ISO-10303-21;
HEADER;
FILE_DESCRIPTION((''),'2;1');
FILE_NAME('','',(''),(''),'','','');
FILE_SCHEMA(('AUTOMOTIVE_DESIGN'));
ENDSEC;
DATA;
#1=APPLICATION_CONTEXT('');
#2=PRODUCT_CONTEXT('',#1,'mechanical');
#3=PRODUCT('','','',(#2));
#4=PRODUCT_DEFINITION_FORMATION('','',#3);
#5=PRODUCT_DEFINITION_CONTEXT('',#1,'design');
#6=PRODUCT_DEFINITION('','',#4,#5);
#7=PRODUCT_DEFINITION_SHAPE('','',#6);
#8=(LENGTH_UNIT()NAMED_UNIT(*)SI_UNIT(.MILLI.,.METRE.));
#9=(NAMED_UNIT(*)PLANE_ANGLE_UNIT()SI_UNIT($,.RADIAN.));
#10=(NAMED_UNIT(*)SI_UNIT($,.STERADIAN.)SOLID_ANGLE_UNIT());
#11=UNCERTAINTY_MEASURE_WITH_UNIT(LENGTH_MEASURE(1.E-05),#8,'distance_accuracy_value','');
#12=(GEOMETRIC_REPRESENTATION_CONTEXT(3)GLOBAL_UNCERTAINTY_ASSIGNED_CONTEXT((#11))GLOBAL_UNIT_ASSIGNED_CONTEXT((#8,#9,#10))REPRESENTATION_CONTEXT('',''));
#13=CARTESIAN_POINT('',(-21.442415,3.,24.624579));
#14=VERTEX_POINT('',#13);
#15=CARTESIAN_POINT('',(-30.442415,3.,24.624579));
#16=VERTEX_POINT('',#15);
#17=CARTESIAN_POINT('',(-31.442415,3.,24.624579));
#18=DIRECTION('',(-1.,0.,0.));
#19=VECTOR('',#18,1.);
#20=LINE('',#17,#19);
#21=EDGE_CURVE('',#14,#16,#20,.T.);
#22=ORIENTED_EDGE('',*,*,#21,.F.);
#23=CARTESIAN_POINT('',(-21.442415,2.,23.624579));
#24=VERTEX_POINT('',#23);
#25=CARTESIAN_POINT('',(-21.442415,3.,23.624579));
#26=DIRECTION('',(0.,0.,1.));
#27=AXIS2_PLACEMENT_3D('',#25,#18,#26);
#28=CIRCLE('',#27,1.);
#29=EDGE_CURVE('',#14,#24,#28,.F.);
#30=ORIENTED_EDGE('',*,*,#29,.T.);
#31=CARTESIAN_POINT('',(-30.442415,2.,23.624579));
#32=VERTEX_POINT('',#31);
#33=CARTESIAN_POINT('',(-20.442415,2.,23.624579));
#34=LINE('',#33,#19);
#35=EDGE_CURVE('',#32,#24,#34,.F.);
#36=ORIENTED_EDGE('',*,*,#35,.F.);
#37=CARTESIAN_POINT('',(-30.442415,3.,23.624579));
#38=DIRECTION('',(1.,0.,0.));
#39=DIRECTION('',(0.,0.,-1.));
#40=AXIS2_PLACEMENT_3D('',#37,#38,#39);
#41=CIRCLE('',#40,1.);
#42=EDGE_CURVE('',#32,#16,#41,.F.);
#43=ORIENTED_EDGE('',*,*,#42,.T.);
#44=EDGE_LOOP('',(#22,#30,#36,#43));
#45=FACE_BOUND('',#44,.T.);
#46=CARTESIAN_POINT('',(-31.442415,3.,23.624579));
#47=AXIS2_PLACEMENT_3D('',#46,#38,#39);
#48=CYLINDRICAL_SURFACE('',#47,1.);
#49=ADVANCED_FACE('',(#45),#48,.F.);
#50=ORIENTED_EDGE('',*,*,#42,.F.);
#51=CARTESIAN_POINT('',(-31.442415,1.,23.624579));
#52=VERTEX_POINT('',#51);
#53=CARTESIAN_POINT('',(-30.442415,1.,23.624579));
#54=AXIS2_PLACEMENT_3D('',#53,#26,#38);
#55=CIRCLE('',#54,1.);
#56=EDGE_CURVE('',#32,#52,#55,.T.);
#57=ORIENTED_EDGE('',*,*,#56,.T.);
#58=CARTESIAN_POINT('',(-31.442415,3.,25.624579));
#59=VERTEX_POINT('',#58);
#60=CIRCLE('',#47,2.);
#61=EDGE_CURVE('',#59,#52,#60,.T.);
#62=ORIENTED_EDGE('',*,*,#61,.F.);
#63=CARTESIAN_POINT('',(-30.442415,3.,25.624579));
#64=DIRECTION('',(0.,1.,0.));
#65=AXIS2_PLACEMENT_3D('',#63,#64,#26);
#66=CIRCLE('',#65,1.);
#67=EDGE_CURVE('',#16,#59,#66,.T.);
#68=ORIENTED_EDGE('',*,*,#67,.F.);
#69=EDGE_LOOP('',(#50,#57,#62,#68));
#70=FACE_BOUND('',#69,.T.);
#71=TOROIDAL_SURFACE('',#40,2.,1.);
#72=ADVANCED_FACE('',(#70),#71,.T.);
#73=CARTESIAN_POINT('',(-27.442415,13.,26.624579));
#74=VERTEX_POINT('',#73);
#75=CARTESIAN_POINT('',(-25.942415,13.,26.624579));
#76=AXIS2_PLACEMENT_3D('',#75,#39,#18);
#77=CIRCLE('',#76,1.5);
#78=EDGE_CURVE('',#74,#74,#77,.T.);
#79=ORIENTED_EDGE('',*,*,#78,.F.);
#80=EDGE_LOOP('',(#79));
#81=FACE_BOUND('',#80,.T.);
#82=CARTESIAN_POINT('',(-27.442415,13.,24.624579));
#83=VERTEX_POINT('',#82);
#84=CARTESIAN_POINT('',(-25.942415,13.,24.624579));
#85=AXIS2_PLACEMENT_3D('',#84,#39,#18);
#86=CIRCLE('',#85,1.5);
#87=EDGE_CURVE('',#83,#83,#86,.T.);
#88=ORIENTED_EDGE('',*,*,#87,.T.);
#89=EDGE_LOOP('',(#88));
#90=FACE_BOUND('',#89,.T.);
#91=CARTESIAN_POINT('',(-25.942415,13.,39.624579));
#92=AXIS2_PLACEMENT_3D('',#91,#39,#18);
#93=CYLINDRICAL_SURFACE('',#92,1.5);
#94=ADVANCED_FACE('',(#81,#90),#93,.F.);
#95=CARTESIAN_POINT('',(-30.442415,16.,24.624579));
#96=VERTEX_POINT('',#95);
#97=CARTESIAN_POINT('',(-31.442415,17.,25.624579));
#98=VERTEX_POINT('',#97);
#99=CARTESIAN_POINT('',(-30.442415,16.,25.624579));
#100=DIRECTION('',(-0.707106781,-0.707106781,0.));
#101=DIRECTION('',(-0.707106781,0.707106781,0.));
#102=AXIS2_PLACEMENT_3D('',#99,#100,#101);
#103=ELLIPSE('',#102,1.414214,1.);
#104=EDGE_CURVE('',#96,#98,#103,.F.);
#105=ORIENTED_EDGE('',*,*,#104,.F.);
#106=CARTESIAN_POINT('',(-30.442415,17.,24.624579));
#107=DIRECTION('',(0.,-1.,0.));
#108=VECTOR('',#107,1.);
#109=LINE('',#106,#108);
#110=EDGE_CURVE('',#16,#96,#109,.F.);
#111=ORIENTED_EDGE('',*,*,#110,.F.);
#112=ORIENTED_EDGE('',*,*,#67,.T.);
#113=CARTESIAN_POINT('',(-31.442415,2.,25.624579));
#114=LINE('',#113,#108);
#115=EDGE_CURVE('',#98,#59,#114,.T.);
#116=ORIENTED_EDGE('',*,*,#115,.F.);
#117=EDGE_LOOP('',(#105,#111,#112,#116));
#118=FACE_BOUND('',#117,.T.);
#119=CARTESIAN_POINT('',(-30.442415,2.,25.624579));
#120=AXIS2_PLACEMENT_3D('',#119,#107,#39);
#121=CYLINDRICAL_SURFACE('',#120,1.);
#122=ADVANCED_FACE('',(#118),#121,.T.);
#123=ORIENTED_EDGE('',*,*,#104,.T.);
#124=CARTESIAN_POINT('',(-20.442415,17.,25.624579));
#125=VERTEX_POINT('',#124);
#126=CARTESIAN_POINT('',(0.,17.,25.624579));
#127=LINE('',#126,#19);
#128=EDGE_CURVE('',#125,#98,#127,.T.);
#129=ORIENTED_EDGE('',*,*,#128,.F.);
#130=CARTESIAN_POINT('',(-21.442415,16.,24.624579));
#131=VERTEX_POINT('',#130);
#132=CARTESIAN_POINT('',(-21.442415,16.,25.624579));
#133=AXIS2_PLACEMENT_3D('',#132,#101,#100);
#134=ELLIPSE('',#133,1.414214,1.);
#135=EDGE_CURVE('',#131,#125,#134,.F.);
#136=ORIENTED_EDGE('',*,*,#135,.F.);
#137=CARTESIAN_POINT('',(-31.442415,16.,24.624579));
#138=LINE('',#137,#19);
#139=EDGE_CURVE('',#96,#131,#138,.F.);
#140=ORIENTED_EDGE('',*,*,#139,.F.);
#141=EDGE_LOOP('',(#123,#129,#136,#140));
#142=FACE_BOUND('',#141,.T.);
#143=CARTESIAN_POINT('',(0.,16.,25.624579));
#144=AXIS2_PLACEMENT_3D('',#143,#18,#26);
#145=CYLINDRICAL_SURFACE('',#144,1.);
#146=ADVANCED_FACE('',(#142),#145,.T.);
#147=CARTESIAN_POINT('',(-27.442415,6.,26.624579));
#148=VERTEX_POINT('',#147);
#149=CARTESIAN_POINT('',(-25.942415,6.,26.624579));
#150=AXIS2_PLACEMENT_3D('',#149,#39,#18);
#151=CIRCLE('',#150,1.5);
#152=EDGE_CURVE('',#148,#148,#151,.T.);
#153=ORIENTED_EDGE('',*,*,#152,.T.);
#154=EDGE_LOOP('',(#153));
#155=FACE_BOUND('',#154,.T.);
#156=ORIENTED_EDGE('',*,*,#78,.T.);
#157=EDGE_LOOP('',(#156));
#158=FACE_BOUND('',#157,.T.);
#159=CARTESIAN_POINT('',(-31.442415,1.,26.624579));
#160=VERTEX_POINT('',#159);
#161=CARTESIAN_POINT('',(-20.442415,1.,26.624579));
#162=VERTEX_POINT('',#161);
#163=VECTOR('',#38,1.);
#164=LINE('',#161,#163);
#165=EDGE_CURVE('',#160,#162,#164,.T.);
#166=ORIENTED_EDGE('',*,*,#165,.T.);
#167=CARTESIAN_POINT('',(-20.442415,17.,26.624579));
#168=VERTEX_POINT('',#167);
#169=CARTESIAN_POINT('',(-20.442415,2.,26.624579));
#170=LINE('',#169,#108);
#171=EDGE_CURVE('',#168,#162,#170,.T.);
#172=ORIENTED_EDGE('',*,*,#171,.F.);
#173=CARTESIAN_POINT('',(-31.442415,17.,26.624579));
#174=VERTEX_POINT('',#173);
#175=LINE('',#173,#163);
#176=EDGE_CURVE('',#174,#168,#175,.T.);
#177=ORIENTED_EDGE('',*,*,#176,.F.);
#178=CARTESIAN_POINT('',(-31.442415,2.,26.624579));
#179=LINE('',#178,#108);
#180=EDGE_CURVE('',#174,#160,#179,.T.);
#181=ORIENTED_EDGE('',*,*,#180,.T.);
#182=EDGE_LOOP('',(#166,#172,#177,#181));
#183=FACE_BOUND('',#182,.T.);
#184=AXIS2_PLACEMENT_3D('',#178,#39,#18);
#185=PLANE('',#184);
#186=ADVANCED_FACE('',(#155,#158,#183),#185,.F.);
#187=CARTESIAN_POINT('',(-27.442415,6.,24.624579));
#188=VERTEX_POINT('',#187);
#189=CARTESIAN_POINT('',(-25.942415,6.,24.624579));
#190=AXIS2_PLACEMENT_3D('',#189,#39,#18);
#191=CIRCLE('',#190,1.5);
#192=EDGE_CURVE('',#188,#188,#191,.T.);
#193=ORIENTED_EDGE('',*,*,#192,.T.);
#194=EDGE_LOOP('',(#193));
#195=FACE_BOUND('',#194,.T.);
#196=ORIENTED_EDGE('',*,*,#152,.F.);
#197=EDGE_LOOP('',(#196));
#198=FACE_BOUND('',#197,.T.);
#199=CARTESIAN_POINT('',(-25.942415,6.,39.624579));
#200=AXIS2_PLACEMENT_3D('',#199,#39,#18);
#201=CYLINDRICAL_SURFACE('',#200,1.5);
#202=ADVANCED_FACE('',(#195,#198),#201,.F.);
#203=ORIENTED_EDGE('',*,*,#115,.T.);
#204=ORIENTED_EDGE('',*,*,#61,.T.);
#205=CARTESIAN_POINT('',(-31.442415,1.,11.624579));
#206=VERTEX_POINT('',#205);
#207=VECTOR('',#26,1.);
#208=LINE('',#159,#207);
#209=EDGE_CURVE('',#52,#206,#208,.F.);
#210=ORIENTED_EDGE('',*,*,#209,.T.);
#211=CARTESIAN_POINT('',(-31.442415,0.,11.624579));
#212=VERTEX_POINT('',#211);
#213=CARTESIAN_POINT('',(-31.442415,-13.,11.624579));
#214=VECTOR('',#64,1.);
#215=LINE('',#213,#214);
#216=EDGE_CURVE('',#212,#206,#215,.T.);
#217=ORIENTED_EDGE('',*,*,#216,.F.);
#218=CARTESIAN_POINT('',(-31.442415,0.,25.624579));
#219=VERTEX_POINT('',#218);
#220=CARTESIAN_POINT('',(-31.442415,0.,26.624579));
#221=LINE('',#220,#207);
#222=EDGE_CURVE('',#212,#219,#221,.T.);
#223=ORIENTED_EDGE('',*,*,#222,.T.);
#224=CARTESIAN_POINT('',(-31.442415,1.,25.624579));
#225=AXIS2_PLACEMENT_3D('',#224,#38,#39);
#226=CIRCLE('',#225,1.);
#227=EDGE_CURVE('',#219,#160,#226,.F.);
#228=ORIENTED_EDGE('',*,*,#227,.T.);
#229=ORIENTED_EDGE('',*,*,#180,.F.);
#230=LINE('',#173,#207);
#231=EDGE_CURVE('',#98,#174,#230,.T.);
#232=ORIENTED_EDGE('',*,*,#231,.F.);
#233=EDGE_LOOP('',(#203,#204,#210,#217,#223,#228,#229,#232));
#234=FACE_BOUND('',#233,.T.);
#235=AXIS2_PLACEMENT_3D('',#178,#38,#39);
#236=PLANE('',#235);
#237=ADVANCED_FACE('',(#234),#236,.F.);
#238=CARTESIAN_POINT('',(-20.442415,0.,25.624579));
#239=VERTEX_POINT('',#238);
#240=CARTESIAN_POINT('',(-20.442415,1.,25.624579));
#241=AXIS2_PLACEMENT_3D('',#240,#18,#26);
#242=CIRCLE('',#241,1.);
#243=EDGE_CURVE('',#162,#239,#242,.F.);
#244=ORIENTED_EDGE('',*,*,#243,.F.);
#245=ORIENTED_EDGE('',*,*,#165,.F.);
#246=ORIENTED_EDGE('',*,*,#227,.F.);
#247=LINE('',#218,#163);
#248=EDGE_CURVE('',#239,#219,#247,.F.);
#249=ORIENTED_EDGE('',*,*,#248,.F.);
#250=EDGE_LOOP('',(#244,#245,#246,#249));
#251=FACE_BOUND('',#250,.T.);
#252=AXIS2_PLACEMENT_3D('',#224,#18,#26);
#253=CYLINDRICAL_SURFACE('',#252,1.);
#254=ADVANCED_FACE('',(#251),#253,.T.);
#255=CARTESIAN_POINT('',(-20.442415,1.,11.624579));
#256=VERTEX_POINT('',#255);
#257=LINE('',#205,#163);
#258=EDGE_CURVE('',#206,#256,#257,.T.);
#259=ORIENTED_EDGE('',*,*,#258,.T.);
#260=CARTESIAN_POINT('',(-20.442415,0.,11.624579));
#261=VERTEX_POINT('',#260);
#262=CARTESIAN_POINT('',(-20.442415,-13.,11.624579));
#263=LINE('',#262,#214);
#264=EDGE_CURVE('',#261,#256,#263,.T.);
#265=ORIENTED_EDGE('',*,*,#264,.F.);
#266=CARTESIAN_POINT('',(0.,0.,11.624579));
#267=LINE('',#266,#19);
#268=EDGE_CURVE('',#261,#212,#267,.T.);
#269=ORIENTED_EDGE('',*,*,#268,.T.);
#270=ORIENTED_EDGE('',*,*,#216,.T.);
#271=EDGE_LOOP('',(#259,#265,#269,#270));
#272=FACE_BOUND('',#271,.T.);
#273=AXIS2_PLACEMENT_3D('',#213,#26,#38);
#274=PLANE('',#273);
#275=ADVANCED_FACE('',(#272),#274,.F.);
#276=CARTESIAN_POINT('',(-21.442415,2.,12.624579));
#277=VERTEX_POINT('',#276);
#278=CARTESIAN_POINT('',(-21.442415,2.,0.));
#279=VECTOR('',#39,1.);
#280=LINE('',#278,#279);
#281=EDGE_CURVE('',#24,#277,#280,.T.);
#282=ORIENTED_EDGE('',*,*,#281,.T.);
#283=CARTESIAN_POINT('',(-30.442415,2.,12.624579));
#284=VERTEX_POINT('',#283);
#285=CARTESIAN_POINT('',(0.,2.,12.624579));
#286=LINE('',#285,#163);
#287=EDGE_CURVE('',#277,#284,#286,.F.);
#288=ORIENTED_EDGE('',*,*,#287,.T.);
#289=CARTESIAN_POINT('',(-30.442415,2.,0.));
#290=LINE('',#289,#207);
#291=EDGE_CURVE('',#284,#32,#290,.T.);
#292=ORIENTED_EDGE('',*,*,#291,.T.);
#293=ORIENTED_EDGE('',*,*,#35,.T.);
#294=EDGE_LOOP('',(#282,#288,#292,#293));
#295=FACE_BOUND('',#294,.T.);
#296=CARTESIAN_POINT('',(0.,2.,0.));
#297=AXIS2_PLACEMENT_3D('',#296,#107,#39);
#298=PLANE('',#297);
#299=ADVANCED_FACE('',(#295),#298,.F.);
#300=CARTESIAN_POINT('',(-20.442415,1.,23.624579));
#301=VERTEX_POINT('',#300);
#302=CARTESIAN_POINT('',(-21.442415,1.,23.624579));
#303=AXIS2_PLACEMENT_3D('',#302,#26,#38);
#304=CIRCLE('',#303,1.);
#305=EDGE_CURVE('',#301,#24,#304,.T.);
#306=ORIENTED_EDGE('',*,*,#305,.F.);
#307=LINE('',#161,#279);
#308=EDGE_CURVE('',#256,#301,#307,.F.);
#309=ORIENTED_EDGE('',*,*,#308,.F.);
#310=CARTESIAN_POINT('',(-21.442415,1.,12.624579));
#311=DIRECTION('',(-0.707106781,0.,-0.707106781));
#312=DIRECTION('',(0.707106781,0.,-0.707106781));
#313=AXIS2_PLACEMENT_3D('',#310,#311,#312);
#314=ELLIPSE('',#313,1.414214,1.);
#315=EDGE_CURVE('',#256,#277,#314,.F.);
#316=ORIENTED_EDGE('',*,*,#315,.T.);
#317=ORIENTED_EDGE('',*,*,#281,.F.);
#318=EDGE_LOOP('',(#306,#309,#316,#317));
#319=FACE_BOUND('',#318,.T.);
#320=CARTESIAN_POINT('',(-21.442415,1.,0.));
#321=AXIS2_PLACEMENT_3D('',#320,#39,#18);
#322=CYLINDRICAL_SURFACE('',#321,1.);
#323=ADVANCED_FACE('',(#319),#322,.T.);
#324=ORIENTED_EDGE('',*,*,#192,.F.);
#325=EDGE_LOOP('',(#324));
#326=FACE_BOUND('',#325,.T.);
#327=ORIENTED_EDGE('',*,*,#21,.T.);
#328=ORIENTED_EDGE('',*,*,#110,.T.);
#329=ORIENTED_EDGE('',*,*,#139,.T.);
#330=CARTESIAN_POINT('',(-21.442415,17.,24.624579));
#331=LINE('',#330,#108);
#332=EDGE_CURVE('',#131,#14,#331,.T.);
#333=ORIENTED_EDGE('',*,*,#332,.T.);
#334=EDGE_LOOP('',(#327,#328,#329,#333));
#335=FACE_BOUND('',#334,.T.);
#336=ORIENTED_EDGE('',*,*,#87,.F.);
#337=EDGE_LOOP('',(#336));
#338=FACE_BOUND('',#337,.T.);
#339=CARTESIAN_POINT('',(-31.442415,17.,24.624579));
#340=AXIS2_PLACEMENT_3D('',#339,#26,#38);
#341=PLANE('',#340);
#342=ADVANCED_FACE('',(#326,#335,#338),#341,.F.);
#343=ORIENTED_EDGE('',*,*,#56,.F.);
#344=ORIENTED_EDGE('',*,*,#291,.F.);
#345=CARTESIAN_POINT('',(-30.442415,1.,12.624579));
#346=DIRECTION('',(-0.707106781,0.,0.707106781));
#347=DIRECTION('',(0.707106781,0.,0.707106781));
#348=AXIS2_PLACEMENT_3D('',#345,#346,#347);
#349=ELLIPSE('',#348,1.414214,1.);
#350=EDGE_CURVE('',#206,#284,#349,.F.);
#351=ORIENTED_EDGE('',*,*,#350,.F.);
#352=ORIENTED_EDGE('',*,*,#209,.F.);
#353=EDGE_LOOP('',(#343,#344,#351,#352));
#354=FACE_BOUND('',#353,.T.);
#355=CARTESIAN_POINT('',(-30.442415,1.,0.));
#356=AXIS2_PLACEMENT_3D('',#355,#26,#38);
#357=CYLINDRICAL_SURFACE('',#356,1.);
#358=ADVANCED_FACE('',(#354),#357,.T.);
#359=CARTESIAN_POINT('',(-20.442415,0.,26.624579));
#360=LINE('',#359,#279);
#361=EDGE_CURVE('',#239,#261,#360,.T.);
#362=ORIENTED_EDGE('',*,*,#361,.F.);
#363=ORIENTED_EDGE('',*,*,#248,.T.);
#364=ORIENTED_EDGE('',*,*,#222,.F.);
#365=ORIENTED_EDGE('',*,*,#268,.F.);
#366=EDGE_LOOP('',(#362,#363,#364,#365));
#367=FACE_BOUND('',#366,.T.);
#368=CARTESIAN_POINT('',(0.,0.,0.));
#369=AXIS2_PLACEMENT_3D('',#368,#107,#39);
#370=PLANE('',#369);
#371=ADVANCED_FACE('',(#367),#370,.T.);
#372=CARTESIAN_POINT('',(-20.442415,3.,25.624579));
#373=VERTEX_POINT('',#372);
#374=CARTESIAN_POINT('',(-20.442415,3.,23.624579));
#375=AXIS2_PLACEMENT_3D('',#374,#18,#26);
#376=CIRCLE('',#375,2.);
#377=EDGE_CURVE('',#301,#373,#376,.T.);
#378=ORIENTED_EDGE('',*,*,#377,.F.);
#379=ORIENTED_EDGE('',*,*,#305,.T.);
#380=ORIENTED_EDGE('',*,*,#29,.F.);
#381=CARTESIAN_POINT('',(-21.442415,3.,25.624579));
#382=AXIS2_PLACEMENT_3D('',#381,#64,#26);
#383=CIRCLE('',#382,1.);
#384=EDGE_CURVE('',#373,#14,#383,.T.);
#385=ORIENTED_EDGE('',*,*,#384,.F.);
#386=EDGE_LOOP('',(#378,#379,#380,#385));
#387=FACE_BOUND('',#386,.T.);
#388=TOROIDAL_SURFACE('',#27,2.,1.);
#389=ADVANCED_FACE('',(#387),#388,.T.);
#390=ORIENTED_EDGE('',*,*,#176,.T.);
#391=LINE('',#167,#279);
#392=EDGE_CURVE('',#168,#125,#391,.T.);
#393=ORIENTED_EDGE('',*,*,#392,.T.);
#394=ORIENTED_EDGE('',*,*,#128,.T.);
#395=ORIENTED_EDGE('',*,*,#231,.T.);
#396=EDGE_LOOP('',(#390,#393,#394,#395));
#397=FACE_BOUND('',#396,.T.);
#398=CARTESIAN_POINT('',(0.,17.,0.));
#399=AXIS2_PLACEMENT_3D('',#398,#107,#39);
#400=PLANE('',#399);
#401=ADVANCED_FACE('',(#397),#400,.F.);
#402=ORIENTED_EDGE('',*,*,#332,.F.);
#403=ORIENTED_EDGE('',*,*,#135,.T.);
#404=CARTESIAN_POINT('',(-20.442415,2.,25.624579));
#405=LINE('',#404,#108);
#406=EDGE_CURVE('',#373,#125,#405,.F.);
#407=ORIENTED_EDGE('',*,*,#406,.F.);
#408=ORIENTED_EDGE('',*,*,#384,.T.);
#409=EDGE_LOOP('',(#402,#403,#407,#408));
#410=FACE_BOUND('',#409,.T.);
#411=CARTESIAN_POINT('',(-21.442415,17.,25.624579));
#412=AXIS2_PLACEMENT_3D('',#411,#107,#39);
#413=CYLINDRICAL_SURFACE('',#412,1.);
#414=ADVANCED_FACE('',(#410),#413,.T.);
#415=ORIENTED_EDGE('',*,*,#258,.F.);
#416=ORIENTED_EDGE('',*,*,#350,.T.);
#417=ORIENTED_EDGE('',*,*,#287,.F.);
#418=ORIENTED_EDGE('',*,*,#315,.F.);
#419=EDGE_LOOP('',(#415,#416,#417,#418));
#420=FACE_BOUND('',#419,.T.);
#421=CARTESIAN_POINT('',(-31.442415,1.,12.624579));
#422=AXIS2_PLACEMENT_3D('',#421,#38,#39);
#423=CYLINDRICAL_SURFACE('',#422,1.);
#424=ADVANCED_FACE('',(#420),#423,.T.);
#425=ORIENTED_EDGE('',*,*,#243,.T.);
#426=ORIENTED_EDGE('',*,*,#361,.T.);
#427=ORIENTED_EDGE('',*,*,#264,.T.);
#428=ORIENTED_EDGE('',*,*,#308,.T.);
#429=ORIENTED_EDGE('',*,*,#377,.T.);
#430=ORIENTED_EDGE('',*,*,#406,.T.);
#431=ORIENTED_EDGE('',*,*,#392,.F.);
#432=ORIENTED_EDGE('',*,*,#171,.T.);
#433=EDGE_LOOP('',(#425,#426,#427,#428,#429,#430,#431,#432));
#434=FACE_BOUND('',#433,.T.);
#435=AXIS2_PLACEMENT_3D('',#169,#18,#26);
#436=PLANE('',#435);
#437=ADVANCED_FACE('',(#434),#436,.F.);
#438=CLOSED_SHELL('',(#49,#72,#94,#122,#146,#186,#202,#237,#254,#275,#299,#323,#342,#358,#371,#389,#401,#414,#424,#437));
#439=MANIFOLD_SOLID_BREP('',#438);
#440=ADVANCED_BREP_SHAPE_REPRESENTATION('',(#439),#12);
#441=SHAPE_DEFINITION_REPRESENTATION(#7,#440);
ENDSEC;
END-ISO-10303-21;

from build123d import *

# Parameters (mm, degrees)
ESBO_O1_W                = 11
ESBO_O1_H                = 19
RESSALTO_EXTRUS_O1_DEPTH = 2
ESBO_O2_W                = 11
ESBO_O2_H                = 2
RESSALTO_EXTRUS_O2_DEPTH = 15
ESBO_O3_R                = 1.5
CORTE_EXTRUS_O1_DEPTH    = 15
ESBO_O4_W                = 11
ESBO_O4_H                = 4
CORTE_EXTRUS_O2_DEPTH    = 15
FILETE1_R                = 1
FILETE2_R                = 1


with BuildPart() as part:
    # Esboço1 → Ressalto-extrusão1 (new body)
    with BuildSketch(Plane(origin=(0, 0, 0), x_dir=(1, 0, 0), z_dir=(0, 1, 0))):
        with Locations((-25.942415051, -17.124578687)):
            Rectangle(ESBO_O1_W, ESBO_O1_H)
    extrude(amount=RESSALTO_EXTRUS_O1_DEPTH)

    # Esboço2 → Ressalto-extrusão2 (add)
    with BuildSketch(Plane(origin=(0, 2, 0), x_dir=(1, 0, 0), z_dir=(0, 1, 0))):
        with Locations((-25.942415051, -25.624578687)):
            Rectangle(ESBO_O2_W, ESBO_O2_H)
    extrude(amount=RESSALTO_EXTRUS_O2_DEPTH)

    # Esboço3 → Corte-extrusão1 (cut)
    with BuildSketch(Plane(origin=(0, 0, 24.624578687), x_dir=(-1, 0, 0), z_dir=(0, 0, -1))):
        with Locations((25.942415051, 6)):
            Circle(ESBO_O3_R)
        with Locations((25.942415051, 13)):
            Circle(ESBO_O3_R)
    extrude(amount=-CORTE_EXTRUS_O1_DEPTH, mode=Mode.SUBTRACT)

    # Esboço4 → Corte-extrusão2 (cut)
    with BuildSketch(Plane(origin=(0, 2, 0), x_dir=(1, 0, 0), z_dir=(0, 1, 0))):
        with Locations((-25.942415051, -9.624578687)):
            Rectangle(ESBO_O4_W, ESBO_O4_H)
    extrude(amount=-CORTE_EXTRUS_O2_DEPTH, mode=Mode.SUBTRACT)

    # Filete1
    filete1_edges = [part.edges().sort_by_distance(p)[0] for p in [
        (-25.942415051, 2, 24.624578687),
        (-25.942415051, 0, 26.624578687),
    ]]
    fillet(filete1_edges, radius=FILETE1_R)

    # Filete2
    filete2_edges = [part.edges().sort_by_distance(p)[0] for p in [
        (-31.442415051, 10, 24.624578687),
        (-20.442415051, 10, 24.624578687),
        (-25.942415051, 17, 24.624578687),
        (-31.442415051, 2, 17.624578687),
        (-25.942415051, 2, 11.624578687),
        (-20.442415051, 2, 17.624578687),
        (-31.442415051, 2.292893219, 24.331685469),
        (-20.442415051, 2.292893219, 24.331685469),
    ]]
    fillet(filete2_edges, radius=FILETE2_R)


solid = part.part
